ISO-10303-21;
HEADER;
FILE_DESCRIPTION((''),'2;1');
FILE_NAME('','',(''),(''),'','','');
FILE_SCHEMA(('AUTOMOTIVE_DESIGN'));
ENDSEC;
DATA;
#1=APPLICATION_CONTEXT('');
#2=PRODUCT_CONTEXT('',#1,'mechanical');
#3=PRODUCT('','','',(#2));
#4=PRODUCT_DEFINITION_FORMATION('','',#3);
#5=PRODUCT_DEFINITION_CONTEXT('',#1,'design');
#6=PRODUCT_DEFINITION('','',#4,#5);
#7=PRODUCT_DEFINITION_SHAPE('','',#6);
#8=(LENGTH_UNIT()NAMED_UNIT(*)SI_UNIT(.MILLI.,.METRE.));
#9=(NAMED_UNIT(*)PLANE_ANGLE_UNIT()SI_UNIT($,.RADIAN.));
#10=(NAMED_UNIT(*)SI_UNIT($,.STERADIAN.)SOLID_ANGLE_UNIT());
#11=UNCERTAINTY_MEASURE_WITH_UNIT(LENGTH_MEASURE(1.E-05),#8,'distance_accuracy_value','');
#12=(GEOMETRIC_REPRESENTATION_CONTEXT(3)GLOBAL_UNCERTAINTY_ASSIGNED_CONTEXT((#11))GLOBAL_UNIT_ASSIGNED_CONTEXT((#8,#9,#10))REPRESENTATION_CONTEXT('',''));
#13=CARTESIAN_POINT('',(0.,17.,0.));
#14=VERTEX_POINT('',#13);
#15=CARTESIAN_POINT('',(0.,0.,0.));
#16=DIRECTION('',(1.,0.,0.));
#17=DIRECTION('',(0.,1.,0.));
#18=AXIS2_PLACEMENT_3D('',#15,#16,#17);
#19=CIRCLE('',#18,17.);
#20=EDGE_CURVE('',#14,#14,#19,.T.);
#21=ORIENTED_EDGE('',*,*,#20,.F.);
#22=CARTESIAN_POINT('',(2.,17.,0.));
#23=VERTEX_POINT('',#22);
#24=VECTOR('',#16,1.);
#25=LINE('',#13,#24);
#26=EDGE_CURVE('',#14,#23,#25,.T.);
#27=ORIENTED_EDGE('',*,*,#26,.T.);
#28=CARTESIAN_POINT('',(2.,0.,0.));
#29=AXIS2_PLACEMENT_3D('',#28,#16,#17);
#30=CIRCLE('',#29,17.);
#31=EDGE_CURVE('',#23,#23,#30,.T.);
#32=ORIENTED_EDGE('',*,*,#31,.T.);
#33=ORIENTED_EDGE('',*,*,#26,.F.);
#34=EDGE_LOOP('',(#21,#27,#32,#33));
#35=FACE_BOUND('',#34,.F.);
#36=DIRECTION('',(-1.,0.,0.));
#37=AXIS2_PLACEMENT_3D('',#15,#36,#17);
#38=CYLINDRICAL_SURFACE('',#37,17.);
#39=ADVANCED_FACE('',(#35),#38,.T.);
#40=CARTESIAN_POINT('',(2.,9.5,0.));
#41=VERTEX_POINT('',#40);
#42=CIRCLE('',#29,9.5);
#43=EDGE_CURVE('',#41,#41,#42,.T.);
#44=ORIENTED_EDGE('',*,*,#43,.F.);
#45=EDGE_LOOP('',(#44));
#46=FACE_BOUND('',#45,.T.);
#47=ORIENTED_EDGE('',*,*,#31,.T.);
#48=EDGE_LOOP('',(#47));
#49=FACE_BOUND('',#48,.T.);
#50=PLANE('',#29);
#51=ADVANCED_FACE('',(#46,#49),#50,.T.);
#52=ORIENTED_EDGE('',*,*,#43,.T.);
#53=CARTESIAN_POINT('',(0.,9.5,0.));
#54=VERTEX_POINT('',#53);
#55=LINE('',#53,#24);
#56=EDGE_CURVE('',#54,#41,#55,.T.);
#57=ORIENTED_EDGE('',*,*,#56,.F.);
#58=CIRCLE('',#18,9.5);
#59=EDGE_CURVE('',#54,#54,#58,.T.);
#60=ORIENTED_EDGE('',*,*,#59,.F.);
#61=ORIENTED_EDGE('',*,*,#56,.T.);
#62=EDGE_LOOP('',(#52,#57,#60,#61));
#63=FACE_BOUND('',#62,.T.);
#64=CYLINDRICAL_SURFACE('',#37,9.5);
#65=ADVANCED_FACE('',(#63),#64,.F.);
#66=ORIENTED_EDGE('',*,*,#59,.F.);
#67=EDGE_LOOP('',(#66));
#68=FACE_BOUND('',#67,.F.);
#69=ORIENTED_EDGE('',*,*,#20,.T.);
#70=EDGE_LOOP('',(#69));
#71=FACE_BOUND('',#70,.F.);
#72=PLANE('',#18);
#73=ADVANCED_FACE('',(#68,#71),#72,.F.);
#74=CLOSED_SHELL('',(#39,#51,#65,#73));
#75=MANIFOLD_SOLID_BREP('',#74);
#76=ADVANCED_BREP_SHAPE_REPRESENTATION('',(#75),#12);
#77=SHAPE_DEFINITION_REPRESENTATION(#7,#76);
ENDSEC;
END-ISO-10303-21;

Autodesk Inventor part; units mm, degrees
ref_plane "YZ Plane" through (0, 0, 0) normal (1, 0, 0) x (0, 1, 0)
ref_plane "XZ Plane" through (0, 0, 0) normal (0, 1, 0) x (-1, 0, 0)
sketch "Schizzo" plane through (0, 0, 0) normal (1, 0, 0) x (0, 1, 0)
  circle A0 centre (0, 0) radius 17
  circle A1 centre (0, 0) radius 9.5
  dimension "d0" = 19
  dimension "d1" = 34
extrude "Corpo" add sketch "Schizzo" along normal blind 2
ref_plane "Work Plane1" through (0, 0, 0) normal (0, 0, 1) x (1, 0, 0)
equation "\"d0\" = SD1"
equation "\"d1\" = SD2"
equation "\"d2\" = SD"
equation "\"SD1\" = 19"
equation "\"SD2\" = 34"
equation "\"SD\" = 2"
equation "\"NND\" = 18"
properties part number "AS 1237 - 18 mm" material "Alluminio 6061"
